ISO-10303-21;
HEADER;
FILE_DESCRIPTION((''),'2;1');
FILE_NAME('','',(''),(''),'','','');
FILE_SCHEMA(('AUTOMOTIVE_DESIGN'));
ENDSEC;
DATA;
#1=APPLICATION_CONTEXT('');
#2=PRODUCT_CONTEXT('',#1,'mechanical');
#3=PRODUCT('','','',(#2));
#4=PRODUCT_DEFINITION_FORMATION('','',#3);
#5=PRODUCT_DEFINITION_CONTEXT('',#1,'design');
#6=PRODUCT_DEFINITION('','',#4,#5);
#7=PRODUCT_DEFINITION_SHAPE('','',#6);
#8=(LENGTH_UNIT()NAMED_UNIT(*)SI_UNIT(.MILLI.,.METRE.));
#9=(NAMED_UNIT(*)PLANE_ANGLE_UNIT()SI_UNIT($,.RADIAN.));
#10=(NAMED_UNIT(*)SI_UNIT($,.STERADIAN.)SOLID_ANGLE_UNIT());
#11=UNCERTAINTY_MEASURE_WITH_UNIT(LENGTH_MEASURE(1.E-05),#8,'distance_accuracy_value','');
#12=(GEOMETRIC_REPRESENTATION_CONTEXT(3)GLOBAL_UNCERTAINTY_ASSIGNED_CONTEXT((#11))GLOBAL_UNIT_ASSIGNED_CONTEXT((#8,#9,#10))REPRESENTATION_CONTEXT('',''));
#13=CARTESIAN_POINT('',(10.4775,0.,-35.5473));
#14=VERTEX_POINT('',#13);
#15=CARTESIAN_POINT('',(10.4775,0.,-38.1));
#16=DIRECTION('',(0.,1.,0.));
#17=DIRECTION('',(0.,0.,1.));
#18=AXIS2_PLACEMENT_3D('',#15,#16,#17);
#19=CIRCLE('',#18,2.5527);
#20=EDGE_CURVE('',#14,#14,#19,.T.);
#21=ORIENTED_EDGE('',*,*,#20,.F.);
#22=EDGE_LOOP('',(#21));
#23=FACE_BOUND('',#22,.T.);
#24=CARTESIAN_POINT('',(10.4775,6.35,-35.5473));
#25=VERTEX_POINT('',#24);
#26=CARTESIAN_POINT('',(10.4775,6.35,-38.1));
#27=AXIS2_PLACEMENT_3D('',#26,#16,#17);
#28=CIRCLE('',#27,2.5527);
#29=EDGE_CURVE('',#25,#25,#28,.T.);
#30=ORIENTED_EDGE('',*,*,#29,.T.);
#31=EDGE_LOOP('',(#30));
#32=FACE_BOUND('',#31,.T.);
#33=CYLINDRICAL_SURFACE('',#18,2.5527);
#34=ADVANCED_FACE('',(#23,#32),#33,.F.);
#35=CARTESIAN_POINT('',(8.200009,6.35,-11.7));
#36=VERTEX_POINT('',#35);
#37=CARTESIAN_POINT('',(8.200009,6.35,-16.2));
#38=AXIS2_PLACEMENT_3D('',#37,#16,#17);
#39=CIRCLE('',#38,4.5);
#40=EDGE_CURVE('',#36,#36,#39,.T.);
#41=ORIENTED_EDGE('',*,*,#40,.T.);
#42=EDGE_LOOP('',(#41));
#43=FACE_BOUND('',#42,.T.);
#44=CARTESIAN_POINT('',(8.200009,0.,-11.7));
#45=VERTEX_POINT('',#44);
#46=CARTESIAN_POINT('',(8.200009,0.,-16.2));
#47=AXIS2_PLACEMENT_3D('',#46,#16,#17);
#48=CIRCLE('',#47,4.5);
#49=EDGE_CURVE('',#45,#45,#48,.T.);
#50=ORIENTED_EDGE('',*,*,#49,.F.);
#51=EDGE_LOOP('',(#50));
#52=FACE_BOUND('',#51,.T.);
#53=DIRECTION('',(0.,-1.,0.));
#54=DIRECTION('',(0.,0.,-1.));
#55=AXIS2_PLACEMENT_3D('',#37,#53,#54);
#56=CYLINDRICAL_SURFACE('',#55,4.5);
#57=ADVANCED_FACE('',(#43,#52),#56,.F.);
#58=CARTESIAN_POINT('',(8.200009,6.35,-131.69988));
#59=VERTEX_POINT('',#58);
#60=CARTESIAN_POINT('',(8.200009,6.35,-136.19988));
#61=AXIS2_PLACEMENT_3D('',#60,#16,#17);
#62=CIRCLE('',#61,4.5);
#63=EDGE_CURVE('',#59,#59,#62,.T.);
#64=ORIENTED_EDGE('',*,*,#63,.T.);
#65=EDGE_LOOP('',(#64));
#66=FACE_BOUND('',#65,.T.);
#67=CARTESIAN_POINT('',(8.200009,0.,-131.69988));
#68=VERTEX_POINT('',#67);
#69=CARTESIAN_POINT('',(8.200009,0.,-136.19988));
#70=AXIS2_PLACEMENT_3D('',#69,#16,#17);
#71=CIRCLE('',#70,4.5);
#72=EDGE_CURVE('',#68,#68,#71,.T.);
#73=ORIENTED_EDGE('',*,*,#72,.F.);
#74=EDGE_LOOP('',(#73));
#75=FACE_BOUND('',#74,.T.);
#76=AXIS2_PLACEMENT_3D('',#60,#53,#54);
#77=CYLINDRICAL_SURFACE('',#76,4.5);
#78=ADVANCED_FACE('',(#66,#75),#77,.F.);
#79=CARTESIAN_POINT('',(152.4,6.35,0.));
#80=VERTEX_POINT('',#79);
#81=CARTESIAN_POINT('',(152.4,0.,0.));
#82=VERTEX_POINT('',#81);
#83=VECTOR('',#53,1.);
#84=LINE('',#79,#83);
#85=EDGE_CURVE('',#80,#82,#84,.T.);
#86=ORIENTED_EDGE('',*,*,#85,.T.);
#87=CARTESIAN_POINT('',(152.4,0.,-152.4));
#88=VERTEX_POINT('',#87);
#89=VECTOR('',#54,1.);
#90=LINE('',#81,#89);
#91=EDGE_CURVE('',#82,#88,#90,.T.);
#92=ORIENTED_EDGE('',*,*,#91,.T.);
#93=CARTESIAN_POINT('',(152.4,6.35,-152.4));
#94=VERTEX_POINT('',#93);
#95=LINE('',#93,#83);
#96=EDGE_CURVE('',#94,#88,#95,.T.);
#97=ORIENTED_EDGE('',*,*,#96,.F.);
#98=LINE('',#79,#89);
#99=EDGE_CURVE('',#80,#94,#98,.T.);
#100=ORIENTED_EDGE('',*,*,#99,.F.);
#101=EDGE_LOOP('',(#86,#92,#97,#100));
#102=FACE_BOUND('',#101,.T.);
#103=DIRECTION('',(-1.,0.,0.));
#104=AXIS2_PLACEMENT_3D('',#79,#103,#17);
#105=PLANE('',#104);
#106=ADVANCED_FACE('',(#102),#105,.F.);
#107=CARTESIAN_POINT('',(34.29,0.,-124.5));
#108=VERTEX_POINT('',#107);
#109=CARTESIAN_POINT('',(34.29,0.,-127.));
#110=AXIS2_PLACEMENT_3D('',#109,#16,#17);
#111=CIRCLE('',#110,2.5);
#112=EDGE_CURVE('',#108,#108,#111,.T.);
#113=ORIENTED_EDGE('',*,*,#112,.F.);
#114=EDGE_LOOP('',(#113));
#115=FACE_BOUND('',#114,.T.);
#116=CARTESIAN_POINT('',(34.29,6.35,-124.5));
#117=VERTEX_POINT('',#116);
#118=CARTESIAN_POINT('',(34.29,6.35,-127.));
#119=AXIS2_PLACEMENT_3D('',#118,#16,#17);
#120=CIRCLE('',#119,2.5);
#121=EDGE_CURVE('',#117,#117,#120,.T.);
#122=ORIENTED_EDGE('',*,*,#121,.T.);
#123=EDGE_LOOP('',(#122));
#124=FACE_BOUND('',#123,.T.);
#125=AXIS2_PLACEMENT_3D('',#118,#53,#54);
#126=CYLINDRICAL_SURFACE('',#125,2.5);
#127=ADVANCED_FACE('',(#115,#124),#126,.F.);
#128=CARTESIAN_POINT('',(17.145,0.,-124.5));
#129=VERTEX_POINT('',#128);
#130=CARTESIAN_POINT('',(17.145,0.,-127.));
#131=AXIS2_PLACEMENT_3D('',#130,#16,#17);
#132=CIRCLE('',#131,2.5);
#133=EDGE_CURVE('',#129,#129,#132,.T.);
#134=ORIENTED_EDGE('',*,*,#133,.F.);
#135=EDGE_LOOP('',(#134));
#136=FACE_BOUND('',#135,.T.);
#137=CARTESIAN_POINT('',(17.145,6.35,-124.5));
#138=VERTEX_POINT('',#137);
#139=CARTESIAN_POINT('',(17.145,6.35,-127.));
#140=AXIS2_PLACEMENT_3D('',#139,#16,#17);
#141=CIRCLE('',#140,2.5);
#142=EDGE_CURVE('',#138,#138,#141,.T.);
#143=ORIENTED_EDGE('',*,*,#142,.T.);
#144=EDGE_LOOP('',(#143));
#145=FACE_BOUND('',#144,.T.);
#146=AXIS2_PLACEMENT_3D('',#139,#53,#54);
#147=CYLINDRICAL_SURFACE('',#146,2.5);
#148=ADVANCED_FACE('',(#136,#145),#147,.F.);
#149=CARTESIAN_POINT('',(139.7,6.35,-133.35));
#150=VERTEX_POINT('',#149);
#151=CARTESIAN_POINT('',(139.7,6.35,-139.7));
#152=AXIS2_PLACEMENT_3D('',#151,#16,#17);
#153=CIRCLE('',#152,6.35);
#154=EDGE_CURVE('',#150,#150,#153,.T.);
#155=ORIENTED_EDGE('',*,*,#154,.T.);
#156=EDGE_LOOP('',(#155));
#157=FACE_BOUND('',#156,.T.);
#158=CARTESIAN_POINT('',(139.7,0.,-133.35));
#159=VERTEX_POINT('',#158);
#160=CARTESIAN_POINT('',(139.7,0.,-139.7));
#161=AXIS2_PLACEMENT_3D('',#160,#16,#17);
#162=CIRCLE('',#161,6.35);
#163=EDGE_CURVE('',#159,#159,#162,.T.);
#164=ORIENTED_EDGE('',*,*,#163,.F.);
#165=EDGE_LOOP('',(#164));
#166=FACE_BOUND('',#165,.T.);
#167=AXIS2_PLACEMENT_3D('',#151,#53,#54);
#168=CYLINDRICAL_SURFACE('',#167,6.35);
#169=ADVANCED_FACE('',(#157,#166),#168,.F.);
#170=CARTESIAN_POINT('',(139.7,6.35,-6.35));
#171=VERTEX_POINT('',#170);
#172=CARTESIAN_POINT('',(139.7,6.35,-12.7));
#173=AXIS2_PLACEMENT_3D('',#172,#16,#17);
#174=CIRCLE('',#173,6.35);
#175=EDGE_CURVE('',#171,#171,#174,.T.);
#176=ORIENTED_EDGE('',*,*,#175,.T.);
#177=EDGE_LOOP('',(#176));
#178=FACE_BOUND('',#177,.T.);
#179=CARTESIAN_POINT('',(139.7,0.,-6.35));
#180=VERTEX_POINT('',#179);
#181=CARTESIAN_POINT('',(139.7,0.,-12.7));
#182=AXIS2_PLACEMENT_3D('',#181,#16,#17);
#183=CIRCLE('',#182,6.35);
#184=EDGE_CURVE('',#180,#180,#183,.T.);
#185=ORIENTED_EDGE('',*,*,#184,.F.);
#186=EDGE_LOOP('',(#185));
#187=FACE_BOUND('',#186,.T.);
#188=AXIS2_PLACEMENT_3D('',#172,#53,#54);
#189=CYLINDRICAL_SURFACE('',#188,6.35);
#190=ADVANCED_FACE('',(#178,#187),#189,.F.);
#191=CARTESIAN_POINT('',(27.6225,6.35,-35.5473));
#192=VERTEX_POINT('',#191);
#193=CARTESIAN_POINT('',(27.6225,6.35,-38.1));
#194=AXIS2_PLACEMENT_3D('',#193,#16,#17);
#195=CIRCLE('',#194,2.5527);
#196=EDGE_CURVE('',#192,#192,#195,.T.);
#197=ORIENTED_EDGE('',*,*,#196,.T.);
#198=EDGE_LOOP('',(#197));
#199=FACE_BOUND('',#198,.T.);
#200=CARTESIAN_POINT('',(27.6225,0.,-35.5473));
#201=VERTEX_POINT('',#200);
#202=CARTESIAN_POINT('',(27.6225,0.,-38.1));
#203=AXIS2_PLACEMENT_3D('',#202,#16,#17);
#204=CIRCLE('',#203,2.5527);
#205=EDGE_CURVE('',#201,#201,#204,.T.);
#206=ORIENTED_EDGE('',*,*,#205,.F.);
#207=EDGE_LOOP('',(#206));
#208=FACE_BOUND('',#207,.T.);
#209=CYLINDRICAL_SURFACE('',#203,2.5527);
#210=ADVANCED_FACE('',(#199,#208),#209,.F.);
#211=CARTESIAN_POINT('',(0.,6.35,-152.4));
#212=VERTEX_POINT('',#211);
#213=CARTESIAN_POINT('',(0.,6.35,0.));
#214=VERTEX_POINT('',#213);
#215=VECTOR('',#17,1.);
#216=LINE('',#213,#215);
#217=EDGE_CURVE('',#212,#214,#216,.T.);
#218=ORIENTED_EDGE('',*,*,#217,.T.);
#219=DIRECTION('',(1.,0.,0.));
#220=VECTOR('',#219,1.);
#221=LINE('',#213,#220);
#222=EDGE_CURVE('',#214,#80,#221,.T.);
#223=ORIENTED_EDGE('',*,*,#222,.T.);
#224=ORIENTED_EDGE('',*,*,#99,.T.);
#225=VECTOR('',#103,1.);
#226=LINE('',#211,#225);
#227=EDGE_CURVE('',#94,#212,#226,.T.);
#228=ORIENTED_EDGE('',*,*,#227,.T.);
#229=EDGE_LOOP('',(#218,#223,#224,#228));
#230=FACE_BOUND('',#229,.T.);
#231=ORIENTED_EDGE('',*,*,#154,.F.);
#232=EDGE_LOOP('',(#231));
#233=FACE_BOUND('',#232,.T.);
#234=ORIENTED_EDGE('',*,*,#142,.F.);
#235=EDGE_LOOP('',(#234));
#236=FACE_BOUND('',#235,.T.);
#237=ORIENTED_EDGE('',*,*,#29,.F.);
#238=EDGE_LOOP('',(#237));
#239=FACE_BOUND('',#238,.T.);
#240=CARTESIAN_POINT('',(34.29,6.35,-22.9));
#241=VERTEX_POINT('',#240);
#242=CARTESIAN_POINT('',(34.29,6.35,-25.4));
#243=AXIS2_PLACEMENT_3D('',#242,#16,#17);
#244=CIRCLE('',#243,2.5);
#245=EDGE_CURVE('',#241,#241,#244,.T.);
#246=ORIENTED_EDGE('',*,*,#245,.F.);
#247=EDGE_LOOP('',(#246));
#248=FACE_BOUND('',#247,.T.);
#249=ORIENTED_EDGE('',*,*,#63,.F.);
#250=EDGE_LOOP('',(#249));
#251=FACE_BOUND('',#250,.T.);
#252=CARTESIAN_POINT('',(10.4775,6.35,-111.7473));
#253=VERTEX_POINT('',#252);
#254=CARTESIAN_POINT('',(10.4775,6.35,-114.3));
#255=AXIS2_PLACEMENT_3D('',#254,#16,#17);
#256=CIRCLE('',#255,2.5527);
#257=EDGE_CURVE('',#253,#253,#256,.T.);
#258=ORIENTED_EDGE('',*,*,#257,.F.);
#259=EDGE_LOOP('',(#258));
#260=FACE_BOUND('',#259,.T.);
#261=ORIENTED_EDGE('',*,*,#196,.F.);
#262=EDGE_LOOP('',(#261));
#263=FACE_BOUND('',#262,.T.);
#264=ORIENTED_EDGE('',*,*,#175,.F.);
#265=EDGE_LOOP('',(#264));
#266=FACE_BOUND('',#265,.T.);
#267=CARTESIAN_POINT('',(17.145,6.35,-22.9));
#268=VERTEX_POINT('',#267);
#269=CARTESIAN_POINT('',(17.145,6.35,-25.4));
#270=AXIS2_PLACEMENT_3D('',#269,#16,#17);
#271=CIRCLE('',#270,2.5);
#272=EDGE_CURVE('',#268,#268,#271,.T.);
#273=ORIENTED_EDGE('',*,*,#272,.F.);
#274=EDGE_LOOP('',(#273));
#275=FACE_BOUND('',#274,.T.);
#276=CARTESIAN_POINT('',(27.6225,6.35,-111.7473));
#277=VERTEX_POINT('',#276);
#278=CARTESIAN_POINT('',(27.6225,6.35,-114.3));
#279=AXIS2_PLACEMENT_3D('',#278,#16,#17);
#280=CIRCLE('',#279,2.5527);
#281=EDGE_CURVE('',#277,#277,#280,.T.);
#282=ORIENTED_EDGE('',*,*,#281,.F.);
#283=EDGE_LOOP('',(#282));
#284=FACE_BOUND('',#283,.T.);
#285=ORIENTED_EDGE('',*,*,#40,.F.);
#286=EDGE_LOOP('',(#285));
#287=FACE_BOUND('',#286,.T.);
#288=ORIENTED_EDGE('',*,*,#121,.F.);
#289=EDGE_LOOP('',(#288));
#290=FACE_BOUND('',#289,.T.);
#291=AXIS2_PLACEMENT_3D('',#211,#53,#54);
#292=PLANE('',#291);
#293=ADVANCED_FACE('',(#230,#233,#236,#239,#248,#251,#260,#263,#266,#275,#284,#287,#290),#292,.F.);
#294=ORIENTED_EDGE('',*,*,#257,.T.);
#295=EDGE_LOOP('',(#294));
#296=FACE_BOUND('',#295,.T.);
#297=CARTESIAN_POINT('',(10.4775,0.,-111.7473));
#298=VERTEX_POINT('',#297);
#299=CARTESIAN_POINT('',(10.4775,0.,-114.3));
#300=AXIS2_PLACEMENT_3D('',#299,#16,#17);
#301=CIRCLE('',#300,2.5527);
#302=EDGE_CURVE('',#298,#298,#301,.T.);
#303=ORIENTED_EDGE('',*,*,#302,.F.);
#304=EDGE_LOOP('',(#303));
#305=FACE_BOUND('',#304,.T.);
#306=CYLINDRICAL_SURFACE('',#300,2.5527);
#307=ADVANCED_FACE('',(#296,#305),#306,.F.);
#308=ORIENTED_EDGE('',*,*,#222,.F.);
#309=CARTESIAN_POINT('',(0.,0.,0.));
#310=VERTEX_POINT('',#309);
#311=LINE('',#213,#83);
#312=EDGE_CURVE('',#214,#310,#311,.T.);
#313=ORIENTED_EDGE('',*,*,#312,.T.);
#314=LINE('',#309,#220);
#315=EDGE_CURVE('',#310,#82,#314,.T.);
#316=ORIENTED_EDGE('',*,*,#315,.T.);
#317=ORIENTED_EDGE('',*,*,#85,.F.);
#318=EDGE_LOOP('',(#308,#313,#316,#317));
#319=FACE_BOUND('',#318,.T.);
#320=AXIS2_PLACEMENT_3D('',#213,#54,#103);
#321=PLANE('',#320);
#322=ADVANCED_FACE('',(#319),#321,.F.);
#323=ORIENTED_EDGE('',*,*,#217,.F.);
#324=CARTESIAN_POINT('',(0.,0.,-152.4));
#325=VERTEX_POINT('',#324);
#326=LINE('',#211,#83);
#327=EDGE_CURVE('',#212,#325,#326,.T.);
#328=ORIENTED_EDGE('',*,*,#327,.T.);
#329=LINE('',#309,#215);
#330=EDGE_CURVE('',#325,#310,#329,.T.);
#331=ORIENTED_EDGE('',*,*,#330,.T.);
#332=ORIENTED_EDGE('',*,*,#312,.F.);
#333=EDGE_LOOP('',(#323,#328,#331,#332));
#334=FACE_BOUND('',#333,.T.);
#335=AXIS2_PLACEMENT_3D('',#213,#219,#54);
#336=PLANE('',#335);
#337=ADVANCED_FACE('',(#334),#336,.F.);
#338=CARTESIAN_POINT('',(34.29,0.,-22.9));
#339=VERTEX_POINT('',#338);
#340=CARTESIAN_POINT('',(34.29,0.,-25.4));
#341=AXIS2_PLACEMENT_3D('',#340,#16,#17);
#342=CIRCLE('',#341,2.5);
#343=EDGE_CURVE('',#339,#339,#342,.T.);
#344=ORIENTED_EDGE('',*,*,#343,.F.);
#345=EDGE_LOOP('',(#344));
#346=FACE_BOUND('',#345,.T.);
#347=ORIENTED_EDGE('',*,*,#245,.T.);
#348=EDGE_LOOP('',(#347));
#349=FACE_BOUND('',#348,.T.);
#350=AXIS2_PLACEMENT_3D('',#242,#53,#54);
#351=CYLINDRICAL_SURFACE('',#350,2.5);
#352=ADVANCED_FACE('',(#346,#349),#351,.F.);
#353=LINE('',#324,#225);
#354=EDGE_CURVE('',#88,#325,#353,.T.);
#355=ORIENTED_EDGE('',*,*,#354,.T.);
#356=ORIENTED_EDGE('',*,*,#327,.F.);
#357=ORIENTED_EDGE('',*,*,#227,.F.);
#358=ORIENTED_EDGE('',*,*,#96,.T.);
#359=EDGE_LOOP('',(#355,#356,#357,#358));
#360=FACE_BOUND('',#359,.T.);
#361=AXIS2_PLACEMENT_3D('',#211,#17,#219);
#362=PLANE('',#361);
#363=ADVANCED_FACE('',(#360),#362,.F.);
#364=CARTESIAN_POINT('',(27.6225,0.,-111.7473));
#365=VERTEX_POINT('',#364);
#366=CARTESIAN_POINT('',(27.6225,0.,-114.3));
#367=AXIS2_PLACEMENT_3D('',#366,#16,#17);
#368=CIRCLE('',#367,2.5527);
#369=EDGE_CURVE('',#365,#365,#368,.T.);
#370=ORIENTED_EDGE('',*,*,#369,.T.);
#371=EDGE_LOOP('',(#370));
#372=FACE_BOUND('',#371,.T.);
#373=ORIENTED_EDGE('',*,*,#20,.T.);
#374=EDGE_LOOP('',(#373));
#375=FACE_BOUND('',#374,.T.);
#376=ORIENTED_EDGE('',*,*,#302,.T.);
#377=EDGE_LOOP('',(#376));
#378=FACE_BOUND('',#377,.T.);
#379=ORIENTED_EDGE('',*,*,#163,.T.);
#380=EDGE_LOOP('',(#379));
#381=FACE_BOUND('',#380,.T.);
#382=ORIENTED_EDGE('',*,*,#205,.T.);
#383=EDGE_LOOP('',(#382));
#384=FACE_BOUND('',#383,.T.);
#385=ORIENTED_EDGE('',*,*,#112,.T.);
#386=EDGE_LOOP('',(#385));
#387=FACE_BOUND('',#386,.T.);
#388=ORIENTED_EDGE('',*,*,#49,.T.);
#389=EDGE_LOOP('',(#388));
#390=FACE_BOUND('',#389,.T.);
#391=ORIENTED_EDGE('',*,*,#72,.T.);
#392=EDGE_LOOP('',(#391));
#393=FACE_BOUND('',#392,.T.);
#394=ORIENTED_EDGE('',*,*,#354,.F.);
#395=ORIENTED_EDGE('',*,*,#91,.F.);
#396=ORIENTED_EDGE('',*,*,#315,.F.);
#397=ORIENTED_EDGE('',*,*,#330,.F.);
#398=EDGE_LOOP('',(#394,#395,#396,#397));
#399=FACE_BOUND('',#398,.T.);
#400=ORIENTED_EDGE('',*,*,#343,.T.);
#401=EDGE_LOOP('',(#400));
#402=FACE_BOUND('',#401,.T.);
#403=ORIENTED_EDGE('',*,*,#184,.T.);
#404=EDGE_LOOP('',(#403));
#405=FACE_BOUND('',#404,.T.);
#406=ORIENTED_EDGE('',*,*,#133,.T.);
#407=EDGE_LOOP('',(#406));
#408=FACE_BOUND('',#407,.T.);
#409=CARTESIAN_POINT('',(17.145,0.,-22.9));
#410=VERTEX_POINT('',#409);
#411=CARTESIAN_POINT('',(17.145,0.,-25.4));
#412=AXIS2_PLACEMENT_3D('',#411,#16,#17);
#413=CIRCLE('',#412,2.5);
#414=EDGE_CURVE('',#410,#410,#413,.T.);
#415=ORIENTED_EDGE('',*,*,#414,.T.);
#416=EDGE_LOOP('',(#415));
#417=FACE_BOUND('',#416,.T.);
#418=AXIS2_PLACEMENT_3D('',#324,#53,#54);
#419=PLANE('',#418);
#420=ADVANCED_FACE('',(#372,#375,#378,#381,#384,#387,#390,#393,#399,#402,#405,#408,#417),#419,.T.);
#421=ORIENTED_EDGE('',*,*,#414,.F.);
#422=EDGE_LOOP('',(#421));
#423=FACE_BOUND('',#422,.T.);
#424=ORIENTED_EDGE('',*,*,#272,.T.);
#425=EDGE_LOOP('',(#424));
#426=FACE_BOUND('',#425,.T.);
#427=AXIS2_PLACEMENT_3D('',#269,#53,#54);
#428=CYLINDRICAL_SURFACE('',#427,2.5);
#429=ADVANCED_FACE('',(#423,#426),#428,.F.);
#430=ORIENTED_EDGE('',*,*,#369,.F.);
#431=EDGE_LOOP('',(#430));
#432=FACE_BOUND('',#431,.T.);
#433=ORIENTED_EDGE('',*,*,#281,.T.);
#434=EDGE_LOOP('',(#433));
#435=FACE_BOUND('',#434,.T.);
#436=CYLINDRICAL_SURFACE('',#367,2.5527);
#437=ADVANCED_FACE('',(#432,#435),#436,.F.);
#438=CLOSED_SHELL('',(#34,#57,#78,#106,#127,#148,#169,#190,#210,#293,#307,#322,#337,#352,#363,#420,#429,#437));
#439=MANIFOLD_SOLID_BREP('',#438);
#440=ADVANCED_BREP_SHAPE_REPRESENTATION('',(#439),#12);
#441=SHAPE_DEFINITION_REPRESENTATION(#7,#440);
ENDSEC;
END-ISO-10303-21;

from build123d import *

# Parameters (mm, degrees)
SKETCH1_W           = 152.4
SKETCH1_H           = 152.4
SKETCH1_R           = 4.5
SKETCH1_R_2         = 2.5
SKETCH1_R_3         = 6.35
BOSS_EXTRUDE1_DEPTH = 6.35
SKETCH2_R           = 2.5527
CUT_EXTRUDE1_DEPTH  = 6.35


with BuildPart() as part:
    # Sketch1 → Boss-Extrude1 (new body)
    with BuildSketch(Plane(origin=(0, 0, 0), x_dir=(1, 0, 0), z_dir=(0, 1, 0))):
        with Locations((76.2, 76.2)):
            Rectangle(SKETCH1_W, SKETCH1_H)
        with Locations(Location((8.200009, 136.19988, 0), (0, 0, 270))):  # turned: the seam where the file's is
            Circle(SKETCH1_R, mode=Mode.SUBTRACT)
        with Locations(Location((8.200009, 16.200000112, 0), (0, 0, 270))):  # turned: the seam where the file's is
            Circle(SKETCH1_R, mode=Mode.SUBTRACT)
        with Locations(Location((17.145, 25.4, 0), (0, 0, 270))):  # turned: the seam where the file's is
            Circle(SKETCH1_R_2, mode=Mode.SUBTRACT)
        with Locations(Location((34.29, 25.4, 0), (0, 0, 270))):  # turned: the seam where the file's is
            Circle(SKETCH1_R_2, mode=Mode.SUBTRACT)
        with Locations(Location((17.145, 127, 0), (0, 0, 270))):  # turned: the seam where the file's is
            Circle(SKETCH1_R_2, mode=Mode.SUBTRACT)
        with Locations(Location((34.29, 127, 0), (0, 0, 270))):  # turned: the seam where the file's is
            Circle(SKETCH1_R_2, mode=Mode.SUBTRACT)
        with Locations(Location((139.7, 12.7, 0), (0, 0, 270))):  # turned: the seam where the file's is
            Circle(SKETCH1_R_3, mode=Mode.SUBTRACT)
        with Locations(Location((139.7, 139.7, 0), (0, 0, 270))):  # turned: the seam where the file's is
            Circle(SKETCH1_R_3, mode=Mode.SUBTRACT)
    extrude(amount=BOSS_EXTRUDE1_DEPTH)

    # Sketch2 → Cut-Extrude1 (cut)
    with BuildSketch(Plane(origin=(0, 6.35, 0), x_dir=(1, 0, 0), z_dir=(0, 1, 0))):
        with Locations(Location((10.4775, 114.3, 0), (0, 0, 270))):  # turned: the seam where the file's is
            Circle(SKETCH2_R)
        with Locations(Location((27.6225, 114.3, 0), (0, 0, 270))):  # turned: the seam where the file's is
            Circle(SKETCH2_R)
        with Locations(Location((10.4775, 38.1, 0), (0, 0, 270))):  # turned: the seam where the file's is
            Circle(SKETCH2_R)
        with Locations(Location((27.6225, 38.1, 0), (0, 0, 270))):  # turned: the seam where the file's is
            Circle(SKETCH2_R)
    extrude(amount=-CUT_EXTRUDE1_DEPTH, mode=Mode.SUBTRACT)


solid = part.part
